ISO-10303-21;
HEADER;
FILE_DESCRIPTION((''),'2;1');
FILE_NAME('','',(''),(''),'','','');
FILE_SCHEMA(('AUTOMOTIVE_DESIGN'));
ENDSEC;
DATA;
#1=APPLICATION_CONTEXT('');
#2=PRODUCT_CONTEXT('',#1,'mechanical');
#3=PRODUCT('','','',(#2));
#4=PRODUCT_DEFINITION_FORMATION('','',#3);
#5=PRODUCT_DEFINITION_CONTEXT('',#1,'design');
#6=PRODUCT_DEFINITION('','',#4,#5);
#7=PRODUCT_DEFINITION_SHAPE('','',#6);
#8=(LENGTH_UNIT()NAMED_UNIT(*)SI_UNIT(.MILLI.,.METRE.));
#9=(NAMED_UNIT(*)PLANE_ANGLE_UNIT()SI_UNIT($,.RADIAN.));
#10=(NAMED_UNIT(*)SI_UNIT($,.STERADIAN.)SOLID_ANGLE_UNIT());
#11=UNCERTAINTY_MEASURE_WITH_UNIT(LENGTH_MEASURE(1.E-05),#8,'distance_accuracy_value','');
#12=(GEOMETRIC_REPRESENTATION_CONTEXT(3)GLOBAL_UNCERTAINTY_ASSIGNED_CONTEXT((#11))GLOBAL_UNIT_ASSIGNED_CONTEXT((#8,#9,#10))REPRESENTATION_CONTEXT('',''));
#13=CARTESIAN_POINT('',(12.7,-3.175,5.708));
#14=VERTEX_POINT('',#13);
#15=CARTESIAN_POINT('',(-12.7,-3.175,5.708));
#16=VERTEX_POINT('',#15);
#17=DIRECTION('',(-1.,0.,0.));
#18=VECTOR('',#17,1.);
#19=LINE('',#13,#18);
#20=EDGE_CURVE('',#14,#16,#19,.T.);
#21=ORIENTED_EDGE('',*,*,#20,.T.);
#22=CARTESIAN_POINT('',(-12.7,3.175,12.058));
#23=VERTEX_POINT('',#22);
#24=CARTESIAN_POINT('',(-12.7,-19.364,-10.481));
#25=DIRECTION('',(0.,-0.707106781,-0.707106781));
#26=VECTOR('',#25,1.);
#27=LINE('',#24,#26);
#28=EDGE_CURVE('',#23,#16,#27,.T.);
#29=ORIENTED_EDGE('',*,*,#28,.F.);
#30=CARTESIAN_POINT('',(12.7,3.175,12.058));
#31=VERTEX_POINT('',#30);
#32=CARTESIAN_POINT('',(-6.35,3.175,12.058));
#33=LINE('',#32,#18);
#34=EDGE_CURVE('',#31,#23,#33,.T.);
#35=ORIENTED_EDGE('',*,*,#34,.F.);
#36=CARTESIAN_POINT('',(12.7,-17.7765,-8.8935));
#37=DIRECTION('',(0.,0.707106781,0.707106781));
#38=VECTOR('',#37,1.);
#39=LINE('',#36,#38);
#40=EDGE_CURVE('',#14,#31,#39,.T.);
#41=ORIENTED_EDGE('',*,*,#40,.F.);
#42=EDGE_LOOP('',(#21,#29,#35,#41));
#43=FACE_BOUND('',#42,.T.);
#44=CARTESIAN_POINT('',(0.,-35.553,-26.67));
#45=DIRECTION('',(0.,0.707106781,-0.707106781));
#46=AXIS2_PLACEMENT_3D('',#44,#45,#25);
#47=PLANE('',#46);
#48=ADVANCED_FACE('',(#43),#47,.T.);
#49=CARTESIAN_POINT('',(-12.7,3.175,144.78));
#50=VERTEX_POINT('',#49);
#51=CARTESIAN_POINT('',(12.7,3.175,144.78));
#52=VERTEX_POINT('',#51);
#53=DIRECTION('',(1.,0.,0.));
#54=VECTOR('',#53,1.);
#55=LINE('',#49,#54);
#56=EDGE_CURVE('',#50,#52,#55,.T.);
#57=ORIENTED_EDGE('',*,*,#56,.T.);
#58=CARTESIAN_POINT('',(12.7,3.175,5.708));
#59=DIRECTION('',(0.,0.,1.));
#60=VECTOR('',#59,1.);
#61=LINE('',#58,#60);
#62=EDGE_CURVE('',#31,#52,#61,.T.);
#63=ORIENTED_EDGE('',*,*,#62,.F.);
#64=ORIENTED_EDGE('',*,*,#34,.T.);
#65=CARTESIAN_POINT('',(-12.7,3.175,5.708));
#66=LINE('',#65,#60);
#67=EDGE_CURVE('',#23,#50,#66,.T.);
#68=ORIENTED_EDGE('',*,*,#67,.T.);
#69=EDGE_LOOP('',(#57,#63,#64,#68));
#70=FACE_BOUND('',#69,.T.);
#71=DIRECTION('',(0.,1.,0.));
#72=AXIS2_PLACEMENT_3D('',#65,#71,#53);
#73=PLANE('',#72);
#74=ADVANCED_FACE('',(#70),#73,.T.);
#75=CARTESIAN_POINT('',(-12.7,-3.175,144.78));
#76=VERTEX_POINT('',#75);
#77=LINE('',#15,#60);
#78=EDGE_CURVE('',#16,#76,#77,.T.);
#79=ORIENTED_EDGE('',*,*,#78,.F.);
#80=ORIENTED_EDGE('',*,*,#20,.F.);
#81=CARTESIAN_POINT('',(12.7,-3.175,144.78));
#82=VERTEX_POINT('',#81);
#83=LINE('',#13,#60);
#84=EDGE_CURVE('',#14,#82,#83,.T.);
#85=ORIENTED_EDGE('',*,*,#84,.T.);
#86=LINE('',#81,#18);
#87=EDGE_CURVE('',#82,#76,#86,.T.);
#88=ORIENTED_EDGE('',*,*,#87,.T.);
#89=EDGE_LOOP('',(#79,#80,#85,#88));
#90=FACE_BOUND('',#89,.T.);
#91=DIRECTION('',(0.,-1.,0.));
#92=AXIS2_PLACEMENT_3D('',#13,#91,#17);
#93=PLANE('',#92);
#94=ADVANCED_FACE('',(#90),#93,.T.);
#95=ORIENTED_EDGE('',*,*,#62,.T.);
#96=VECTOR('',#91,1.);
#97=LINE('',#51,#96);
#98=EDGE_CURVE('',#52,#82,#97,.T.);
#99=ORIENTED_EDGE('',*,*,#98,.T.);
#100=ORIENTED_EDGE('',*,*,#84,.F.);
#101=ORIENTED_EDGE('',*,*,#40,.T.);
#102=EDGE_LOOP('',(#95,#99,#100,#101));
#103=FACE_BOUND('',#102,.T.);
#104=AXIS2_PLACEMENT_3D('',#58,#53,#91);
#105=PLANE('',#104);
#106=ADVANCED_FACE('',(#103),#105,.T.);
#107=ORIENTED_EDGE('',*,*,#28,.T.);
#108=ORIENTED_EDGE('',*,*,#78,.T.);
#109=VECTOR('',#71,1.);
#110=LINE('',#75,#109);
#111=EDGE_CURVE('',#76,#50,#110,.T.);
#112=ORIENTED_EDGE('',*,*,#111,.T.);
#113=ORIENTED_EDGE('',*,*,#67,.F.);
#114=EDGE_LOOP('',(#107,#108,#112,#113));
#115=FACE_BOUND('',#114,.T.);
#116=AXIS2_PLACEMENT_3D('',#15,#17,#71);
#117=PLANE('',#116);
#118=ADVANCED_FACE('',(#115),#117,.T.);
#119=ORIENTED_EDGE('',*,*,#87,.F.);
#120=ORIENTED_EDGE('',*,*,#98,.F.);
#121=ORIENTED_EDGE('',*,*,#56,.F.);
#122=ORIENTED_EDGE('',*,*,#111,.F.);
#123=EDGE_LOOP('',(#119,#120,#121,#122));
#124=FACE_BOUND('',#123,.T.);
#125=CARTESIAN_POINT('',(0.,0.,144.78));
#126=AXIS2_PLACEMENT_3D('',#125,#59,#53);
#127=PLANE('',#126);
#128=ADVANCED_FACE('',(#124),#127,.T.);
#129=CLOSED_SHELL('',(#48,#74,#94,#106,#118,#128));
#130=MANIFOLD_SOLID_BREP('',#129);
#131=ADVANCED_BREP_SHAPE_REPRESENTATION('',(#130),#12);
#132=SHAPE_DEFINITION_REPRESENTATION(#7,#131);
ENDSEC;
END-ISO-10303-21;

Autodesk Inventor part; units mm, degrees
ref_plane "Start plane" through (0, 0, 5.708) normal (0, 0, 1) x (1, 0, 0)
ref_plane "End plane" through (0, 0, 144.78) normal (0, 0, 1) x (1, 0, 0)
sketch "Sketch" plane through (0, 0, 0) normal (0, 0, 1) x (1, 0, 0)
  line L0 (12.7, -3.175) -> (-12.7, -3.175)
  line L1 (-12.7, -3.175) -> (-12.7, 3.175)
  line L2 (-12.7, 3.175) -> (12.7, 3.175)
  line L3 (12.7, 3.175) -> (12.7, -3.175)
  line L4 (-6, 0) -> (8, 0) construction
  line L5 (0, -30) -> (0, 40) construction
  line L6 (0, 54) -> (0, -44) construction
  line L7 (-17.78, 0) -> (17.78, 0) construction
  dimension "d0" = 6.35
  dimension "d1" = 25.4
  dimension "d4" = 12.7
  dimension "d5" = 3.175
extrude "Body" add sketch "Sketch" along normal up to surface (139.072 mm away) from surface at 5.708
sketch "Sketch3" plane through (0, 0, 0) normal (0, 0, 1) x (1, 0, 0)
  line L0 (0, 0) -> (10, 0)
ref_plane "Work Plane3" through (0, 0, 0) normal (0, -1, 0) x (1, 0, 0)
sketch "Sketch4" plane through (0, 0, 0) normal (0, -1, 0) x (1, 0, 0)
  line L0 (-2, 5.708) -> (12, 5.708)
  line L1 (-2, 144.78) -> (12, 144.78)
  dimension "d9" = 139.072
ref_plane "Work Plane4" through (0, -35.553, -26.67) normal (0, 0.7071, -0.7071) x (1, 0, 0)
split "Split1" plane through (0, -35.553, -26.67) removes the side toward (0, 0.7071, -0.7071)
equation "\"d0\" = G_W"
equation "\"d1\" = G_H"
equation "\"d4\" = 0.5 * d1"
equation "\"d5\" = 0.5 * d0"
equation "\"d2\" = G_L"
equation "\"G_W\" = 6.35"
equation "\"G_H\" = 25.4"
equation "\"G_L\" = d9"
equation "\"G_OFFSET_START\" = -5.708"
equation "\"G_OFFSET_END\" = 0"
equation "\"d6\" = -G_OFFSET_START"
equation "\"d7\" = G_OFFSET_END + B_L"
equation "\"B_L\" = 144.78"
properties part number "AISC - 1/4x1 - 5.475" material "Steel, Mild"
